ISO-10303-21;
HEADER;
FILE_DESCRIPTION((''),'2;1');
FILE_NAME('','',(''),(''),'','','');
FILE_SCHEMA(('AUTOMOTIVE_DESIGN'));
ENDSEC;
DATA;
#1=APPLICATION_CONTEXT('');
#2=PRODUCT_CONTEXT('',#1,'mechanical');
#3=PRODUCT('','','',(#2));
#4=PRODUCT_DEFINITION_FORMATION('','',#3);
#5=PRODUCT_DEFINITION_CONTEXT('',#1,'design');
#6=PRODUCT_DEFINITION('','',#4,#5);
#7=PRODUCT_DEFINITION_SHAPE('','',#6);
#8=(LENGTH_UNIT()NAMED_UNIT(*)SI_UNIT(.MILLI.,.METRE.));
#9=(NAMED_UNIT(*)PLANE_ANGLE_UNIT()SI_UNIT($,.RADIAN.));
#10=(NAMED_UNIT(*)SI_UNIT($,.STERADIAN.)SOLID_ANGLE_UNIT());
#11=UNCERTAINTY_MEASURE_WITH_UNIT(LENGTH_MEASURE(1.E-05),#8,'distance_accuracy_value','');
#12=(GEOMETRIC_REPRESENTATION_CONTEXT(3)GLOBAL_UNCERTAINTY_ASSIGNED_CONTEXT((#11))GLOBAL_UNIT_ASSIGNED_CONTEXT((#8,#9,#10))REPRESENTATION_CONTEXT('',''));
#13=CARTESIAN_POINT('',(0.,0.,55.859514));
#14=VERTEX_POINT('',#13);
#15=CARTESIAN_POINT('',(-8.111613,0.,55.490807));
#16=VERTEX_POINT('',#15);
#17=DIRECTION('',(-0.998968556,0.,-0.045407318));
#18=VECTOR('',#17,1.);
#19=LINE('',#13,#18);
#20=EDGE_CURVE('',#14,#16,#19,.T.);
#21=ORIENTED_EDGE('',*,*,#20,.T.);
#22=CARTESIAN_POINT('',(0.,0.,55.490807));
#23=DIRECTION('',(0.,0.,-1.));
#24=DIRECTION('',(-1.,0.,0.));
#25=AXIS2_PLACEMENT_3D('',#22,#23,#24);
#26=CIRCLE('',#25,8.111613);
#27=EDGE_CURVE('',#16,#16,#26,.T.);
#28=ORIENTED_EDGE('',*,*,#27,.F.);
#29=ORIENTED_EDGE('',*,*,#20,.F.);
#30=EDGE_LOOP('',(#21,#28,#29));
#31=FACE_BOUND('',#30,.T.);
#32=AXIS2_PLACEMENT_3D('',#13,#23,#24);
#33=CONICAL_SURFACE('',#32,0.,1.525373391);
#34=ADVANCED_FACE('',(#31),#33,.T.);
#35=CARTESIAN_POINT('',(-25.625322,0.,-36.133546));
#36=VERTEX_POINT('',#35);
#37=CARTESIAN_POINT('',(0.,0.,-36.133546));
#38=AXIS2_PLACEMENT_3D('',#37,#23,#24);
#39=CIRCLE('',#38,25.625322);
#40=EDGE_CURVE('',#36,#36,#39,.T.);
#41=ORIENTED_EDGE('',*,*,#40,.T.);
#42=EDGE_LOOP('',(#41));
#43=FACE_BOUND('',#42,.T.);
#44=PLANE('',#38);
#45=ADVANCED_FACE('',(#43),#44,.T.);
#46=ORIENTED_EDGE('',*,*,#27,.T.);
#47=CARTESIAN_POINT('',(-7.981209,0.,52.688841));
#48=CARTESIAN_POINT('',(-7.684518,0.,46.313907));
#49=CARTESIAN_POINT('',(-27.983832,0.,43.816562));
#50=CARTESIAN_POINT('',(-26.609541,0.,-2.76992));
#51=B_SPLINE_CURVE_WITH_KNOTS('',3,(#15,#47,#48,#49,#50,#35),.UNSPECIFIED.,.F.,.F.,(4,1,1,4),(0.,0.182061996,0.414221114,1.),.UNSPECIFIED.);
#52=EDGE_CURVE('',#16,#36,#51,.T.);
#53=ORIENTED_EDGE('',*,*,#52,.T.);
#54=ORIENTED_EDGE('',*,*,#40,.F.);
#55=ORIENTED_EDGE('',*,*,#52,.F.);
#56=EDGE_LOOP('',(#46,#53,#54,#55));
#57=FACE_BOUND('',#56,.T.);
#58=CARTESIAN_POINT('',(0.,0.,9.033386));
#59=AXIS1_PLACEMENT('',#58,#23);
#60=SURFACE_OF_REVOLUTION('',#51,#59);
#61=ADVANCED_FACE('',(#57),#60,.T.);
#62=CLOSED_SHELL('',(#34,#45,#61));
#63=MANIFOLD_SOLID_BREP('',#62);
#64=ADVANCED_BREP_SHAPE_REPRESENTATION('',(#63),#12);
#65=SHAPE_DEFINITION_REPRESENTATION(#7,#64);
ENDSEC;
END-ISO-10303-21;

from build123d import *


with BuildPart() as f1:
    # F0 (on Front) → F1 (revolve)
    with BuildSketch(Plane.XZ):
        with BuildLine():
            Line((0, 55.8595135808), (-8.1116128713, 55.4908066988))
            add(Edge.make_bspline(
                [(-8.1116128713, 55.4908066988), (-7.9812087458, 52.688841361), (-7.6845178196, 46.3139073786), (-27.9838321267, 43.8165616704), (-26.6095414362, -2.7699204557), (-25.6253220141, -36.1335463822)],
                knots=[0, 0, 0, 0, 0.1820619957, 0.4142211139, 1, 1, 1, 1], degree=3))
            Line((-25.6253220141, -36.1335463822), (0, -36.1335463822))
            Line((0, -36.1335463822), (0, 55.8595135808))
        make_face()
    revolve(axis=Axis((0, 0, 9.0333856642), (0, 0, -1)))


solid = f1.part
